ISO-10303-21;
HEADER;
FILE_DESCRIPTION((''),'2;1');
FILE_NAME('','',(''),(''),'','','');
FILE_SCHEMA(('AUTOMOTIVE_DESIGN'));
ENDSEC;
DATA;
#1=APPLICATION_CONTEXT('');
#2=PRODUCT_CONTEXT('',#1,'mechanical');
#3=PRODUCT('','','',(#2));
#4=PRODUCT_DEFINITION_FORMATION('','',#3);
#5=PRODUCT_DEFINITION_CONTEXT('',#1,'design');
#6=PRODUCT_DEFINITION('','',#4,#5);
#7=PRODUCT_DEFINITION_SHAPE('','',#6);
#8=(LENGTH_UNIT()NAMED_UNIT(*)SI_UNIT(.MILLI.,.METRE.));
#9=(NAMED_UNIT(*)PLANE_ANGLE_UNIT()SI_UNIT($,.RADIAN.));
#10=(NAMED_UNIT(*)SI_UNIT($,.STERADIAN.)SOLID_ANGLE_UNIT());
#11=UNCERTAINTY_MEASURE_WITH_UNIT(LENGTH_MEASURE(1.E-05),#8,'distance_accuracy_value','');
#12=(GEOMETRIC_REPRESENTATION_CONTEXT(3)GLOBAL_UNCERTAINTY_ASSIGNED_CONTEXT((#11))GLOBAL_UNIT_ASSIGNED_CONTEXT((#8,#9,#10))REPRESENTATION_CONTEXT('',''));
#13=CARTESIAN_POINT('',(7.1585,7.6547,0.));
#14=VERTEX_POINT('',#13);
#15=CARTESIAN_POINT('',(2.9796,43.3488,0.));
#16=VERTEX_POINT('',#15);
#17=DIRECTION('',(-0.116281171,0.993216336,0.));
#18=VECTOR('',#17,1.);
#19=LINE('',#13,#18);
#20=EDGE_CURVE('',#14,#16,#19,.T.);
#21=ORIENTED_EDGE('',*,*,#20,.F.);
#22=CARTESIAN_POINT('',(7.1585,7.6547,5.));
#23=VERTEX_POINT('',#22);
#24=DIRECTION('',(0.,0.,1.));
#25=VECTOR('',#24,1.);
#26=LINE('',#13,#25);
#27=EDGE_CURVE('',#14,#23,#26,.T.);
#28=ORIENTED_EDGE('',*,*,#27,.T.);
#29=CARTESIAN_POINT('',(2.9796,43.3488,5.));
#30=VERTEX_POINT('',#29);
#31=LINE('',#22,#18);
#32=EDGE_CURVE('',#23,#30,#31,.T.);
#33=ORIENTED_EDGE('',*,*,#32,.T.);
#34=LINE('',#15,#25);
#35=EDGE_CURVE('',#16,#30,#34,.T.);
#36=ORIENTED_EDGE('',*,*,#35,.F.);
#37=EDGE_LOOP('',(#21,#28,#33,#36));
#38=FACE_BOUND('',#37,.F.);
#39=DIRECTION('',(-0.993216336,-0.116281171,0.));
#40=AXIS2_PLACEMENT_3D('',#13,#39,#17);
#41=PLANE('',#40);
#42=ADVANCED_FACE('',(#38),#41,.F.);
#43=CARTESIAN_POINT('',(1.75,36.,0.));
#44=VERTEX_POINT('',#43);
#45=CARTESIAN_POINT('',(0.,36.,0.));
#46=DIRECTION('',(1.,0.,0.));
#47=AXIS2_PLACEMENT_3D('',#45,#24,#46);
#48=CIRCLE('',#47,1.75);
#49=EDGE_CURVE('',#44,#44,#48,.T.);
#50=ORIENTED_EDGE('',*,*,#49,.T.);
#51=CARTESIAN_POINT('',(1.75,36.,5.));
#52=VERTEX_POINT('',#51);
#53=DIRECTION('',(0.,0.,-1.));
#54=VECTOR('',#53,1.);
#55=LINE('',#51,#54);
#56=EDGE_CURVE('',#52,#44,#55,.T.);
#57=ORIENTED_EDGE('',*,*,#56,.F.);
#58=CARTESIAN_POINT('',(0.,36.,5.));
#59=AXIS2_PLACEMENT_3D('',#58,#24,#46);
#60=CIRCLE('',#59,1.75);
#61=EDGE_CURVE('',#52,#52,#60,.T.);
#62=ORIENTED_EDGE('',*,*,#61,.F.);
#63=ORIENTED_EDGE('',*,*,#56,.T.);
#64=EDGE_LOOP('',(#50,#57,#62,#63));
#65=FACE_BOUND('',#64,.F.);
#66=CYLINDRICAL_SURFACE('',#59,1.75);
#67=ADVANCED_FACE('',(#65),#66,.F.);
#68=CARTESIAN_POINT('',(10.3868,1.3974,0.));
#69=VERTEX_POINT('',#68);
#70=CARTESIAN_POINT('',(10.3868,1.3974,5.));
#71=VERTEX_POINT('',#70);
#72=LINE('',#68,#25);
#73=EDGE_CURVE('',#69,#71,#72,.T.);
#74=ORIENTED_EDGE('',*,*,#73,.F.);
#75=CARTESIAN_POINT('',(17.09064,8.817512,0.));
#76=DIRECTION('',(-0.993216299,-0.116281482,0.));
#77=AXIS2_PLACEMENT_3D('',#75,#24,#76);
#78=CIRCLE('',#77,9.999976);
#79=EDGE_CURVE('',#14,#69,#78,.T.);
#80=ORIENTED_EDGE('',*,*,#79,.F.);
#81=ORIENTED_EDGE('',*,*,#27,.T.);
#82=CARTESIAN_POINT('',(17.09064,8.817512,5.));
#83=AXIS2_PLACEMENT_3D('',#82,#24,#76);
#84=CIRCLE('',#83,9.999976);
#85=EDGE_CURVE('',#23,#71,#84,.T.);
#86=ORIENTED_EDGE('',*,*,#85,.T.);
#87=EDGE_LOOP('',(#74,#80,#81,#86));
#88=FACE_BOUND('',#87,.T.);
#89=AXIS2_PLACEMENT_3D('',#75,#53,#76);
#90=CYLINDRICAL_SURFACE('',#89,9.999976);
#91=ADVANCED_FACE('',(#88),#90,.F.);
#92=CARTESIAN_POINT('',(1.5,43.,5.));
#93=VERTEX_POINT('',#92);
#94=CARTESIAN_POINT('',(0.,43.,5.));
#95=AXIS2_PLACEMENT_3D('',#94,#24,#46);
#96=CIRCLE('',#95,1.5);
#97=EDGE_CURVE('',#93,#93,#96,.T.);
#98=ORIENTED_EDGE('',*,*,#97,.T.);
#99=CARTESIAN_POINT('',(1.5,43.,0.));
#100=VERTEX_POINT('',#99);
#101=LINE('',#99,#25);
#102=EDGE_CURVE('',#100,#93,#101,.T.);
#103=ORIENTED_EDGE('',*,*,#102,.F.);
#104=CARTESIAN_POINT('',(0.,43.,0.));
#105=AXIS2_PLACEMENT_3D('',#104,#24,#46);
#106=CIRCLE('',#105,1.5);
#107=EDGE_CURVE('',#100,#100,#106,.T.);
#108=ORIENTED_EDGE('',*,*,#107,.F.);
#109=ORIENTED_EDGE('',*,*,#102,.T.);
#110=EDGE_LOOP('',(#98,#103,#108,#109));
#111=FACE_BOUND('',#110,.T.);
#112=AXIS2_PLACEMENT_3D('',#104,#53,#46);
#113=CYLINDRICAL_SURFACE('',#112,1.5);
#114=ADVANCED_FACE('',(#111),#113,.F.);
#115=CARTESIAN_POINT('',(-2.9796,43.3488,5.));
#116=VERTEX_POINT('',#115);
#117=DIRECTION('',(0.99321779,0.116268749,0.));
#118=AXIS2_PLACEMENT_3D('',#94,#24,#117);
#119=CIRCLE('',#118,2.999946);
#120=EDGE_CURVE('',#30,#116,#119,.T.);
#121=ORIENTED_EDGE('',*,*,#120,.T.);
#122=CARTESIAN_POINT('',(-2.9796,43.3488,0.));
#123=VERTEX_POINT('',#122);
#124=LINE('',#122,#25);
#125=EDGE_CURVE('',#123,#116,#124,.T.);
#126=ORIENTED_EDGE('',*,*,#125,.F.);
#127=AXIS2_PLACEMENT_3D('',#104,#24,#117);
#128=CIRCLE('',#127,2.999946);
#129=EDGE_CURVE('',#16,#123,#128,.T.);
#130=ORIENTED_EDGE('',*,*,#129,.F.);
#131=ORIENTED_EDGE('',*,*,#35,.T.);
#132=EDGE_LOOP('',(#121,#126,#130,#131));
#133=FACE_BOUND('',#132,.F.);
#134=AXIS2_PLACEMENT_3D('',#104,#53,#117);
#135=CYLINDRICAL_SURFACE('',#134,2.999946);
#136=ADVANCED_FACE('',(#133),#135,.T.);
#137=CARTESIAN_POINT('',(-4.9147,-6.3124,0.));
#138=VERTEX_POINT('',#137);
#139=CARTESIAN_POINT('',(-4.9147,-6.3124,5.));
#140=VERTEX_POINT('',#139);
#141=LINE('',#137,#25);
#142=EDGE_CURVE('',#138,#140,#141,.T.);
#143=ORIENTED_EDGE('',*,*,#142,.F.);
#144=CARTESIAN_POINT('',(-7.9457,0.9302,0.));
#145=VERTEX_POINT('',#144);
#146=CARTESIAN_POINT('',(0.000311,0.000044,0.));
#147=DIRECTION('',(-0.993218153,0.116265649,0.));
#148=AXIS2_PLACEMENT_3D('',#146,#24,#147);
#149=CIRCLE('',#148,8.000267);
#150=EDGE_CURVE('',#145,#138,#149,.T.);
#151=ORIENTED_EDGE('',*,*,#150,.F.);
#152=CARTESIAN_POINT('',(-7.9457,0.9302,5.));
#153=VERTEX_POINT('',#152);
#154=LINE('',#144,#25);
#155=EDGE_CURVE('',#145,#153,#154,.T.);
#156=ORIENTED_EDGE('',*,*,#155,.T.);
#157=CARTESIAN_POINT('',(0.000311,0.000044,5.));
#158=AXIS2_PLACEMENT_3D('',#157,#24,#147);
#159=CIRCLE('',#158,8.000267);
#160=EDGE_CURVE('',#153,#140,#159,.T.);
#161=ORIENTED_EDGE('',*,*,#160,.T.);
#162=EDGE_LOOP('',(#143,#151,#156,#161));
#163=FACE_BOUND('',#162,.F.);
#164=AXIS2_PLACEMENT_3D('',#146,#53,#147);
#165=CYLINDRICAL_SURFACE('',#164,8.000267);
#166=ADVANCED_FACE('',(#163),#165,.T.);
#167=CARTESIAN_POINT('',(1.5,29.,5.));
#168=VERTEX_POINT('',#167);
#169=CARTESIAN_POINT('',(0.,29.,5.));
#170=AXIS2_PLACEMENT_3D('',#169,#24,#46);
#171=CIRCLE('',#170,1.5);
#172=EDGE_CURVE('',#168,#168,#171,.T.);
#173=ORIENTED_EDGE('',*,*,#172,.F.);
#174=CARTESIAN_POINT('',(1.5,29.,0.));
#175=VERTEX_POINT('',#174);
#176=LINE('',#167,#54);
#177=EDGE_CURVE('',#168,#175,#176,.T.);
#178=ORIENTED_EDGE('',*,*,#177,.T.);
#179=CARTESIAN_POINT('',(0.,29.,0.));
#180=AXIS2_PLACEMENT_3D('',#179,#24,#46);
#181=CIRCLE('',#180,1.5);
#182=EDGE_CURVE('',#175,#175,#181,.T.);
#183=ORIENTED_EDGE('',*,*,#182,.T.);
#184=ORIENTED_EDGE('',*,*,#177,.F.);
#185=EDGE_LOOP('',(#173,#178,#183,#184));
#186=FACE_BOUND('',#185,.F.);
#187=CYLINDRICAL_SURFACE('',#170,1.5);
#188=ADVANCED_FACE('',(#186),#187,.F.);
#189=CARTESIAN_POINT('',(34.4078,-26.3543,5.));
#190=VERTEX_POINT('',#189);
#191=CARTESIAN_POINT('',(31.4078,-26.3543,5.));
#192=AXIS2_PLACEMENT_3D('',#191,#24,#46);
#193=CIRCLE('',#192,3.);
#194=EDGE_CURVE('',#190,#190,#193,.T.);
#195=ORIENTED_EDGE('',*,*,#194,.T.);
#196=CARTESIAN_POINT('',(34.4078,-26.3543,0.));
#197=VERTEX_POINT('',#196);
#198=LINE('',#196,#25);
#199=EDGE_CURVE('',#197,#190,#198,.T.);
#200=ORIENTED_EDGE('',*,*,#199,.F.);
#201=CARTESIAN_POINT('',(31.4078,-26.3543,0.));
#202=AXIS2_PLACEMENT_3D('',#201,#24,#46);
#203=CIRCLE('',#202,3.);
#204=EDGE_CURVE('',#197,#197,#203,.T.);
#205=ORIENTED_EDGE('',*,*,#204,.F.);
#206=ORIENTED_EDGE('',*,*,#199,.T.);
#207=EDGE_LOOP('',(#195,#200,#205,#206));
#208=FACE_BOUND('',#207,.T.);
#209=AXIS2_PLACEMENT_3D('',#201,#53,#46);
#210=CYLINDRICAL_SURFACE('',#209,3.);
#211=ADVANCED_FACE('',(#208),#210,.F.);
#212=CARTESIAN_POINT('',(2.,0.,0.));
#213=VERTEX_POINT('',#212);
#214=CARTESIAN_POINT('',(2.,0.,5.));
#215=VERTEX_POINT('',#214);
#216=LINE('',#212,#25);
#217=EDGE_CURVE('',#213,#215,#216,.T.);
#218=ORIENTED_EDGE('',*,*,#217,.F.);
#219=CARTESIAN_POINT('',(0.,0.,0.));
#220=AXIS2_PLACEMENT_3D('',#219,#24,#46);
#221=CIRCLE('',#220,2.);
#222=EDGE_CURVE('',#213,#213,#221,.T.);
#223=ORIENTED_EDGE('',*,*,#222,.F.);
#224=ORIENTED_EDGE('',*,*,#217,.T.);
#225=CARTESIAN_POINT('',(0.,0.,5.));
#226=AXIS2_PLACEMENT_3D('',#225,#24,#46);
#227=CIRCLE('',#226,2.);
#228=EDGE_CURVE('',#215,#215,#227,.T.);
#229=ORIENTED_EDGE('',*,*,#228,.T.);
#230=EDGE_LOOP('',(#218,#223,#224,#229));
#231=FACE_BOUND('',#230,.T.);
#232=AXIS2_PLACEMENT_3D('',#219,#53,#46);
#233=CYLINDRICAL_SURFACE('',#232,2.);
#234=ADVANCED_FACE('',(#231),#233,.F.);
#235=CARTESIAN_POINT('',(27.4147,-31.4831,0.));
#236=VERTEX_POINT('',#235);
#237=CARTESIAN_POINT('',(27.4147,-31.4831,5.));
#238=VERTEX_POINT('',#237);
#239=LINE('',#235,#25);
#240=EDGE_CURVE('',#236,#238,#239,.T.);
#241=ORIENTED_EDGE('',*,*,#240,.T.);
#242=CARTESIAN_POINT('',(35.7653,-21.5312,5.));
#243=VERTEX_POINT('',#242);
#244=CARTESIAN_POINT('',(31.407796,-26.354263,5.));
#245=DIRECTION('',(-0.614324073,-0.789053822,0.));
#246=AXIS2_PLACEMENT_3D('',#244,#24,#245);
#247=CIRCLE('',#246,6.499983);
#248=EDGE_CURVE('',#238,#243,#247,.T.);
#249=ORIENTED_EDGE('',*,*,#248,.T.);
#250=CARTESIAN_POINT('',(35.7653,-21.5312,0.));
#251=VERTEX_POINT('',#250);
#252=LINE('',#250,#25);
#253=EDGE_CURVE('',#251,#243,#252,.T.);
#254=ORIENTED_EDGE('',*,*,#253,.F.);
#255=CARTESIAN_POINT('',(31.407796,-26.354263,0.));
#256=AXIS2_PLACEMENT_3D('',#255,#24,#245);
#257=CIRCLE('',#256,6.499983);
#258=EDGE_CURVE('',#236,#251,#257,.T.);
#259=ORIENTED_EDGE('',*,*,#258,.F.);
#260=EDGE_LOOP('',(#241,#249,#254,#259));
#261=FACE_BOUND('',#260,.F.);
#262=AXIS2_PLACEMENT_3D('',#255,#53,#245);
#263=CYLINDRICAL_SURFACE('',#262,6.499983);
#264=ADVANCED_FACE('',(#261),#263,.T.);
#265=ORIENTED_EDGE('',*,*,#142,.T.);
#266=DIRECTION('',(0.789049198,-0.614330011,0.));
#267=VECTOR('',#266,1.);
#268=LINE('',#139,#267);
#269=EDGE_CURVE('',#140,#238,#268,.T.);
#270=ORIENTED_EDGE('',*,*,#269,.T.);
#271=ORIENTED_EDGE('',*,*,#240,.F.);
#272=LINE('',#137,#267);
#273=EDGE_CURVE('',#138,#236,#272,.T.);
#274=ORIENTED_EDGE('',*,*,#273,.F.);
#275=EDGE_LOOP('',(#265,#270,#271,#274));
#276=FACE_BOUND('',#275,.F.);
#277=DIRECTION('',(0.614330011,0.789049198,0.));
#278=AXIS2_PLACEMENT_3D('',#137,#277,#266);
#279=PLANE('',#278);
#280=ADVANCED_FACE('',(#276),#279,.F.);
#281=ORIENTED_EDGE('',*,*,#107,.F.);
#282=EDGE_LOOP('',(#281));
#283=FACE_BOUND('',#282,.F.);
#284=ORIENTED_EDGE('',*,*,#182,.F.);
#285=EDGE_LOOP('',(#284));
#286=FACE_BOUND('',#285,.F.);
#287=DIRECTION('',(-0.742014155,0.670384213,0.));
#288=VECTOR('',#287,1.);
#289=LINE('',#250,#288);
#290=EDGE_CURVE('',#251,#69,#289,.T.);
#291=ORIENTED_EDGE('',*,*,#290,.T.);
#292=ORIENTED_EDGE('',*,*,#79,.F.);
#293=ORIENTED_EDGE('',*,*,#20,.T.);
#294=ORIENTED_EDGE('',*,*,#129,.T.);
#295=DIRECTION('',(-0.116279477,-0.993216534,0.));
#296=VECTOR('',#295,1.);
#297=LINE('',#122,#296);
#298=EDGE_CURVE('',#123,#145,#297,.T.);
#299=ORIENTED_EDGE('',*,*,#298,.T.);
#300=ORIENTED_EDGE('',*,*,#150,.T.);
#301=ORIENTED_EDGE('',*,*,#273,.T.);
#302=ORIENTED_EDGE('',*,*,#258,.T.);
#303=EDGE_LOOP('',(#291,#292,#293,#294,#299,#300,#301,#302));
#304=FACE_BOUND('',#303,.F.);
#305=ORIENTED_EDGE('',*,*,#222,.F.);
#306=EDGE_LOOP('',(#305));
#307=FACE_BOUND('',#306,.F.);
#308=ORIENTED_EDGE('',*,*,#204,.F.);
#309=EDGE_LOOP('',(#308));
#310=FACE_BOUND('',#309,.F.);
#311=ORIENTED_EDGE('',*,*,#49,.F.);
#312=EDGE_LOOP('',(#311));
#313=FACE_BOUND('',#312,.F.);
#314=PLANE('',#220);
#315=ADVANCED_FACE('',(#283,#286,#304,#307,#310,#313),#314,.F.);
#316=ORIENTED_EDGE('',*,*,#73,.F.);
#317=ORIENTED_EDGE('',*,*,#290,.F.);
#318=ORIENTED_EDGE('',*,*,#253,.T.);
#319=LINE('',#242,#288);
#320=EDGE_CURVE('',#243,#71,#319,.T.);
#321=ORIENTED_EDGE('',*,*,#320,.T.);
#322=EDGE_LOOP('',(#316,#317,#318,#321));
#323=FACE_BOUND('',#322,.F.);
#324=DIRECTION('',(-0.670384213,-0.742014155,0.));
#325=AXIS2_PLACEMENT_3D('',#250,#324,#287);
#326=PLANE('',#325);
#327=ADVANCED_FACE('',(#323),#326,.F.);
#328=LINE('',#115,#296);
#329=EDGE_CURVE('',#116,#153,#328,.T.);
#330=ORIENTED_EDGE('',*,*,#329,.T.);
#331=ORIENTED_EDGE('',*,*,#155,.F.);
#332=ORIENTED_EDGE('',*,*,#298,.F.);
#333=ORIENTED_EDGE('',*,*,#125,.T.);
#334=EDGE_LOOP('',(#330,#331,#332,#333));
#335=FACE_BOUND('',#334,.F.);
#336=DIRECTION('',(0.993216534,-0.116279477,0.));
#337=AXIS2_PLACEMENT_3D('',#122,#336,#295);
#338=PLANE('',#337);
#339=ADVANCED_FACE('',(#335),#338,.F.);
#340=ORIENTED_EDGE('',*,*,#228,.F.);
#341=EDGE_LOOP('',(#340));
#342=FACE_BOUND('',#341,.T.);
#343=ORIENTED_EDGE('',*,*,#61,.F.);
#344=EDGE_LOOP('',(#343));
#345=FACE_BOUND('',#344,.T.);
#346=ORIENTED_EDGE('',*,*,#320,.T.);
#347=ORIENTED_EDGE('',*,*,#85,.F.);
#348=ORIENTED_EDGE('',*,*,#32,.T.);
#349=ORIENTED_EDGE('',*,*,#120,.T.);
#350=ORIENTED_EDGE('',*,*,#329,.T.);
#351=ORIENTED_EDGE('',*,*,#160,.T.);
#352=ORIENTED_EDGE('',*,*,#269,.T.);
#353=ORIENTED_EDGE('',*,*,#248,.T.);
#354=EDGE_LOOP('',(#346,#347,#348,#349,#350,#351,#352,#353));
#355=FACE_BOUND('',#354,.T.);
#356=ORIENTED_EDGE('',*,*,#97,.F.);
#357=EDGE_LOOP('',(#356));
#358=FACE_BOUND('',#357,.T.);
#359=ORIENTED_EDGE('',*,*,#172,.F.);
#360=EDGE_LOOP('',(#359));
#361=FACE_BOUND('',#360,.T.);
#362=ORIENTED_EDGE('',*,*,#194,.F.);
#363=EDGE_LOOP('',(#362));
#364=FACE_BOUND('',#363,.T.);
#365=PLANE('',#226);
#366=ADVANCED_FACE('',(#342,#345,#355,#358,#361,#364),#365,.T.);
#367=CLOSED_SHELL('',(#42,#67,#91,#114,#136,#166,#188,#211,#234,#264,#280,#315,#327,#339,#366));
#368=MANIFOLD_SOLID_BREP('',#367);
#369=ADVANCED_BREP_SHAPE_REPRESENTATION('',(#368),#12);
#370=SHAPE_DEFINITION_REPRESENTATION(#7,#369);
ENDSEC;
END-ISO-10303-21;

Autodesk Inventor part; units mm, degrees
ref_plane "YZ Plane" through (0, 0, 0) normal (1, 0, 0) x (0, 1, 0)
ref_plane "XZ Plane" through (0, 0, 0) normal (0, 1, 0) x (-1, 0, 0)
ref_plane "XY Plane" through (0, 0, 0) normal (0, 0, 1) x (1, 0, 0)
sketch "Sketch1" plane through (0, 0, 0) normal (0, 0, 1) x (1, 0, 0)
  circle A0 centre (0, 0) radius 2
  circle A1 centre (0, 43) radius 1.5
  circle A2 centre (31.4078, -26.3543) radius 3
  line L0 (-2.9796, 43.3488) -> (-7.9457, 0.9302)
  arc A3 (-7.9457, 0.9302) -> (-4.9147, -6.3124) centre (0, 0) ccw
  line L1 (-4.9147, -6.3124) -> (27.4147, -31.4831)
  arc A4 (27.4147, -31.4831) -> (35.7653, -21.5312) centre (31.4078, -26.3543) ccw
  line L2 (35.7653, -21.5312) -> (10.3868, 1.3974)
  line L3 (7.1585, 7.6547) -> (2.9796, 43.3488)
  arc A5 (2.9796, 43.3488) -> (-2.9796, 43.3488) centre (0, 43) ccw
  line L4 (0, 43) -> (0, 0) construction
  line L5 (0, 0) -> (31.4078, -26.3543) construction
  arc A6 (7.1585, 7.6547) -> (10.3868, 1.3974) centre (17.0906, 8.8175) ccw
  point P0 (7.5958, 3.9189)
  dimension "d0" = 3
  dimension "d1" = 130
  dimension "d2" = 4
  dimension "d5" = 43
  dimension "d6" = 41
  dimension "d7" = 6.5
  dimension "d8" = 6
  dimension "d9" = 3
  dimension "d13" = 10
  dimension "d19" = 2.097
  dimension "d20" = 2.097
  dimension "d21" = 8
extrude "Extrusion1" add sketch "Sketch1" along normal blind 5
sketch "Sketch2" plane through (0, 0, 5) normal (0, 0, 1) x (1, 0, 0)
  circle A0 centre (0, 36) radius 1.75
  circle A1 centre (0, 29) radius 1.5
  circle A2 centre (0, 43) radius 1.5 projected
  point P0 (0, 0)
  dimension "d22" = 3.5
  dimension "d23" = 3
  dimension "d24" = 7
  dimension "d25" = 7
extrude "Extrusion2" cut sketch "Sketch2" against normal blind 10 contours A0 | A1
thread "Thread1" size "M3x0.5" class "6H" standard "ISO Metric profile" length 20
thread "Thread2" size "M3x0.5" class "6H" standard "ISO Metric profile" length 20
equation "\"d20\" = d19"
equation "\"d25\" = d24"
properties part number "LKBK6-L43-S41-Q130-M3-HA6-T6"
